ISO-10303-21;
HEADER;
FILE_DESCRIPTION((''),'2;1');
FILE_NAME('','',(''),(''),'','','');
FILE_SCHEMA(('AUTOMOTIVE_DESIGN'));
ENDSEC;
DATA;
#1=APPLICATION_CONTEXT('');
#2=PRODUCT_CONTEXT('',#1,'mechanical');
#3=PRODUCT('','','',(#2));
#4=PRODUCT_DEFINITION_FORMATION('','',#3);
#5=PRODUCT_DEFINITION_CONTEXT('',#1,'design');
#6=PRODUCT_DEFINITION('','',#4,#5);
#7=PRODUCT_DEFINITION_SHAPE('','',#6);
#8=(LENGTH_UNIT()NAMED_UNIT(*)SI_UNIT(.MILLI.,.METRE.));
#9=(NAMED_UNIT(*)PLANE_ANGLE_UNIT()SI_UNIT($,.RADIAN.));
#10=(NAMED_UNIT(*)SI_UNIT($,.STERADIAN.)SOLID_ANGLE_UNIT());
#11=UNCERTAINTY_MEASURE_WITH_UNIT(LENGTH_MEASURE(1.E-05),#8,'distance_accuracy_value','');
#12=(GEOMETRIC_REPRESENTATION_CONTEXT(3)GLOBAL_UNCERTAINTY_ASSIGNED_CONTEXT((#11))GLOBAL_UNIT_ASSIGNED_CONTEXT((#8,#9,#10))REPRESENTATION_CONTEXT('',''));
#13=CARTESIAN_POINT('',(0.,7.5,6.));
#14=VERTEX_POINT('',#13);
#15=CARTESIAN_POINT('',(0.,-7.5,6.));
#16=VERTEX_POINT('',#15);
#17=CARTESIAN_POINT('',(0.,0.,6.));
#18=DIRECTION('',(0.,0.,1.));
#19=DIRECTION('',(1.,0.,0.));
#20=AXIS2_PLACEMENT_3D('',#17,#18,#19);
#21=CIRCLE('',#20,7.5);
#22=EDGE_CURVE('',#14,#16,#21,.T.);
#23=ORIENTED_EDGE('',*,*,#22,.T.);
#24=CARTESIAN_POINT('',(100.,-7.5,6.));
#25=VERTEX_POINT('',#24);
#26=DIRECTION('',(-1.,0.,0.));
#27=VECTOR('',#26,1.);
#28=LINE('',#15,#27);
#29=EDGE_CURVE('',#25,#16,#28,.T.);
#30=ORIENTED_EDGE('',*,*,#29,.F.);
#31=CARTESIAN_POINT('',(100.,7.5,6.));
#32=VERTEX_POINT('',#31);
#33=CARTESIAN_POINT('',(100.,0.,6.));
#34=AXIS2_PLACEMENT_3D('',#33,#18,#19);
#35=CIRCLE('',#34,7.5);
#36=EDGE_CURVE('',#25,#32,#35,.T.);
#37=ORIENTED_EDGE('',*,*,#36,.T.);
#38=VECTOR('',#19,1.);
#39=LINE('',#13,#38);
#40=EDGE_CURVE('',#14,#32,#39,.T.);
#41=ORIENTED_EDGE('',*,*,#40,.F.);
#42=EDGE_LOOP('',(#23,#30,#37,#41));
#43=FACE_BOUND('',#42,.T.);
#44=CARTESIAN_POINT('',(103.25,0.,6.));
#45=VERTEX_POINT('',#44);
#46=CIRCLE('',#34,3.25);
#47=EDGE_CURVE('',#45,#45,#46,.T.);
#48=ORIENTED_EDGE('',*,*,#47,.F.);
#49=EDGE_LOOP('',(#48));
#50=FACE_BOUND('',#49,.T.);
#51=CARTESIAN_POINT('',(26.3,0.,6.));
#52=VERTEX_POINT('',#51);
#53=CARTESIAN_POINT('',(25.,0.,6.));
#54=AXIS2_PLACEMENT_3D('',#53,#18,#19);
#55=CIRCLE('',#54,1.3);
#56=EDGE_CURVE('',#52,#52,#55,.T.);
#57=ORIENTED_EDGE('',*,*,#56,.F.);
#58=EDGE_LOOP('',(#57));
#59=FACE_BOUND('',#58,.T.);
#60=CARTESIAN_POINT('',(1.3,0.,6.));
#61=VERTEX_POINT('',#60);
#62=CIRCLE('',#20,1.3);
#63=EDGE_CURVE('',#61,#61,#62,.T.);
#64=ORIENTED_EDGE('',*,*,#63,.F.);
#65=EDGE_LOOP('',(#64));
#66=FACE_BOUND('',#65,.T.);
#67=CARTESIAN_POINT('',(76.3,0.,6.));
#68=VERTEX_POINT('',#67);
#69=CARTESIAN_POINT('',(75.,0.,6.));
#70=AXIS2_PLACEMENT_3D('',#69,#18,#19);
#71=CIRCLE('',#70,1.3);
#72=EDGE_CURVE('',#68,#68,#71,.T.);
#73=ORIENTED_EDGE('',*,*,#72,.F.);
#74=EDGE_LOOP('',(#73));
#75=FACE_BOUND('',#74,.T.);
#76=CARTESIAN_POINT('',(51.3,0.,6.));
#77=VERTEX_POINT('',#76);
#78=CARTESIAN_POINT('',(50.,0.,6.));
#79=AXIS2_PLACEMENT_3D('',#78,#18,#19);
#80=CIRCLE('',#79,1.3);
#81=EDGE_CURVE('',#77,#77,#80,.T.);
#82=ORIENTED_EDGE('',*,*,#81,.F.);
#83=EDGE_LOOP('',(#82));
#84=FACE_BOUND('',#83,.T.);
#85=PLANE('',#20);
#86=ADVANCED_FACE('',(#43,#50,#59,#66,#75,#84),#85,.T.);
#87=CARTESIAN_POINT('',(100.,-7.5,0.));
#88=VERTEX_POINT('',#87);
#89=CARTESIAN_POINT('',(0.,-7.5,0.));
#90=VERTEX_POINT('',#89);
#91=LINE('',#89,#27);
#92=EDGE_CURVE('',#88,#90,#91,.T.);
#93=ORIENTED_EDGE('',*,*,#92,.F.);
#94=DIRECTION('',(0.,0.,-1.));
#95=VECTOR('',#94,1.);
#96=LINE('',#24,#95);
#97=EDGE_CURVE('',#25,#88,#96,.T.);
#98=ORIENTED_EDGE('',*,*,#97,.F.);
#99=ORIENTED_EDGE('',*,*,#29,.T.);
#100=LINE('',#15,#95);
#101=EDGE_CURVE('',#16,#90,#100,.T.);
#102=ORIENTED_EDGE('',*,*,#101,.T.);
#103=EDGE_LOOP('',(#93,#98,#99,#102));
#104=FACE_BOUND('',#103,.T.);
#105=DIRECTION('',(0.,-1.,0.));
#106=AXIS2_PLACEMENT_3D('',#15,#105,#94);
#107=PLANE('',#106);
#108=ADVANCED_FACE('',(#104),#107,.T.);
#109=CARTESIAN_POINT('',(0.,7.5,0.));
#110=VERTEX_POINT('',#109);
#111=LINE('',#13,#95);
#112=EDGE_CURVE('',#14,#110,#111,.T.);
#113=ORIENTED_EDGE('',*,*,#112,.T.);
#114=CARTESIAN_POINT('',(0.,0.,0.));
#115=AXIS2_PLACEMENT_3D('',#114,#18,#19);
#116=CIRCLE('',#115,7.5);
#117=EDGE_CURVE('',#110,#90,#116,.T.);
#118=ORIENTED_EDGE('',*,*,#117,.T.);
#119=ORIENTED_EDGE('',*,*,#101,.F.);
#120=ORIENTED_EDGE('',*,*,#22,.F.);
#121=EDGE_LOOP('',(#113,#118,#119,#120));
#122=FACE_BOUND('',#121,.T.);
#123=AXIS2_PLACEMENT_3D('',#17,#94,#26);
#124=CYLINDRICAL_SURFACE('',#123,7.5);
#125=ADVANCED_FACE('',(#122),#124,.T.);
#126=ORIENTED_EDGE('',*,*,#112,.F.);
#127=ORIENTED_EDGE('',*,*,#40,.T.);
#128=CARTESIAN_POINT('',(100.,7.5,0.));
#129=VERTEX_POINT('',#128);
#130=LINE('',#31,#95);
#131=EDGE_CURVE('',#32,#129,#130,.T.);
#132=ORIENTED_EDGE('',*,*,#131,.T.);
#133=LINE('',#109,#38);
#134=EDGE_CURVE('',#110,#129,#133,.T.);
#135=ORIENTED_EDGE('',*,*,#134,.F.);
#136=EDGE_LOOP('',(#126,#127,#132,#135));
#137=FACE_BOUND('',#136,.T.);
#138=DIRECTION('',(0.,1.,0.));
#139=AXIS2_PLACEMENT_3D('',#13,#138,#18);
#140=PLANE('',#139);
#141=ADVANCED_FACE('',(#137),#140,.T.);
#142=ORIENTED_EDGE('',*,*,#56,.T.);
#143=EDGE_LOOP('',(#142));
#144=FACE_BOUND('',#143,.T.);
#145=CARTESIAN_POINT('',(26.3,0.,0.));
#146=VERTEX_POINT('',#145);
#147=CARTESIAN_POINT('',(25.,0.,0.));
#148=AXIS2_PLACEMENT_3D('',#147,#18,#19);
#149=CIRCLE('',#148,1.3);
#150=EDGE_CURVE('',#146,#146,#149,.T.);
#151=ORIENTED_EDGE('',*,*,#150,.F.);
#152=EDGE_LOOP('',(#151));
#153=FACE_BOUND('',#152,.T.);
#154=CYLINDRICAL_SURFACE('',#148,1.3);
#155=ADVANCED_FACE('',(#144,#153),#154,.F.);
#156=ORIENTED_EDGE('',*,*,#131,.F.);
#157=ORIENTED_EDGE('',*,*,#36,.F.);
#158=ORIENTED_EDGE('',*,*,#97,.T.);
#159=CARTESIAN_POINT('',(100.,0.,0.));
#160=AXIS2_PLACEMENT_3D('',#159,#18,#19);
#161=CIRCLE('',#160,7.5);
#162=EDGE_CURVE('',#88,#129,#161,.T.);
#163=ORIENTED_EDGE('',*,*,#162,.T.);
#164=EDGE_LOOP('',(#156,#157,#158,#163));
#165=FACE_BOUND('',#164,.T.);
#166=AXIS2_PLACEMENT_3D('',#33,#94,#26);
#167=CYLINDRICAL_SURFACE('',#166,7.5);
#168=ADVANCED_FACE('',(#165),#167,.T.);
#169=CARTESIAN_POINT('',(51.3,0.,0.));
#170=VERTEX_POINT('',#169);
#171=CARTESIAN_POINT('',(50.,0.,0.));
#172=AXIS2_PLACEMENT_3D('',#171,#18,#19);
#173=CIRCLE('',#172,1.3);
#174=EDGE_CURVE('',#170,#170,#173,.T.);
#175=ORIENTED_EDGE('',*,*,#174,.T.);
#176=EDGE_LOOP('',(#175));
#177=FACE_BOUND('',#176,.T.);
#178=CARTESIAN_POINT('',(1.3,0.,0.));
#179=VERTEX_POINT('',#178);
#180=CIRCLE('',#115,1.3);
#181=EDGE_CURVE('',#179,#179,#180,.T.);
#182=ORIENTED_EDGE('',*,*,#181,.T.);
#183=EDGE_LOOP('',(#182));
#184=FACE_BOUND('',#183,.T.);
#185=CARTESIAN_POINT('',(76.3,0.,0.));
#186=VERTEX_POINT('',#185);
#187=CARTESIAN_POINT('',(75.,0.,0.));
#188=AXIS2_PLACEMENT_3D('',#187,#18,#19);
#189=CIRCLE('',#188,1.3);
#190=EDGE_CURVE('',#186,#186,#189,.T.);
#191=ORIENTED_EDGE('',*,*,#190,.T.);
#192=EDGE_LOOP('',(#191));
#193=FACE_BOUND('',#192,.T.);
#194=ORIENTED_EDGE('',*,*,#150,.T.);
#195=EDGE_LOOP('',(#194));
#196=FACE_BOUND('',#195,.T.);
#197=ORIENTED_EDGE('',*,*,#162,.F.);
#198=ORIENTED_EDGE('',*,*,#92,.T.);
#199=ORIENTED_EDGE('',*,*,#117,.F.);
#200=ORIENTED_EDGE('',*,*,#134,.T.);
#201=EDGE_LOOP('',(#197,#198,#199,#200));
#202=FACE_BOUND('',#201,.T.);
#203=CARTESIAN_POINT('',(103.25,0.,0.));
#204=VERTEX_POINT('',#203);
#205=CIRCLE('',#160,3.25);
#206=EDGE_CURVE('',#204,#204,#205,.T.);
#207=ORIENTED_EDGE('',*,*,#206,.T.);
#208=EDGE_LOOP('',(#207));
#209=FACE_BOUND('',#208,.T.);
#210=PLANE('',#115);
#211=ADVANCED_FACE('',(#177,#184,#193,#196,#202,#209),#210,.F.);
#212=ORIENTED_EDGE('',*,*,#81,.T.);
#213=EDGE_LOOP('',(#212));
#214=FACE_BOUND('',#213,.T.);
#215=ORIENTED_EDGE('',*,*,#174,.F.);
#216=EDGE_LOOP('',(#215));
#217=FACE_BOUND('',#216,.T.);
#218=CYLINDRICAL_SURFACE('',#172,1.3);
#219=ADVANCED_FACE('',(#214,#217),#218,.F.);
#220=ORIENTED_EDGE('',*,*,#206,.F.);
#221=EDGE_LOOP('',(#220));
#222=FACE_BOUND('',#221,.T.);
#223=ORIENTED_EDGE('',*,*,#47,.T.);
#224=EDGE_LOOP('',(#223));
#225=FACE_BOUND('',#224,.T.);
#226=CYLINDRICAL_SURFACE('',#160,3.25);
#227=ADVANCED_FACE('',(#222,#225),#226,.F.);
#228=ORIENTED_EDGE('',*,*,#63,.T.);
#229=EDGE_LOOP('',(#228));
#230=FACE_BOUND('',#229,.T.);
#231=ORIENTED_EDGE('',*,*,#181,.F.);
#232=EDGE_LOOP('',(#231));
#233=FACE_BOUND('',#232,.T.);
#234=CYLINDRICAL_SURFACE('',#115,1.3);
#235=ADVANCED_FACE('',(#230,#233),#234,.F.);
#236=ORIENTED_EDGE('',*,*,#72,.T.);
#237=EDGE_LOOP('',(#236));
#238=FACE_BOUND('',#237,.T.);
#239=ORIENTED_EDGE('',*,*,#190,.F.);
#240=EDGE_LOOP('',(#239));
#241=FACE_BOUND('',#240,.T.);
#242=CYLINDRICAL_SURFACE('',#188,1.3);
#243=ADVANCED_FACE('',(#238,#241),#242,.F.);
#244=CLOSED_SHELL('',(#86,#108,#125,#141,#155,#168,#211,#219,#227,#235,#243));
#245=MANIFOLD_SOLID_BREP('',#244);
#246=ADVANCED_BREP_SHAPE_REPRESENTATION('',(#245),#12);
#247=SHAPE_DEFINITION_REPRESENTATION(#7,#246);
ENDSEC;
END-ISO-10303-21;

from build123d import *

# Parameters (mm, degrees)
SKETCH1_R           = 7.5
BOSS_EXTRUDE1_DEPTH = 6
SKETCH2_R           = 1.3
CUT_EXTRUDE1_DEPTH  = 108.928216885
LPATTERN1_COUNT     = 4
LPATTERN1_PITCH     = 25
SKETCH3_R           = 3.25
CUT_EXTRUDE2_DEPTH  = 108.928216885


with BuildPart() as part:
    # Sketch1 → Boss-Extrude1 (new body)
    with BuildSketch(Plane.XY):
        with BuildLine():
            Line((100, 7.5), (0, 7.5))
            ThreePointArc((0, 7.5), (5.303300859, 5.303300859), (7.5, 0))
            ThreePointArc((7.5, 0), (5.303300859, -5.303300859), (0, -7.5))
            Line((0, -7.5), (100, -7.5))
            ThreePointArc((100, -7.5), (92.5, 0), (100, 7.5))
        make_face()
        with Locations((100, 0)):
            Circle(SKETCH1_R)
        Circle(SKETCH1_R)
    extrude(amount=BOSS_EXTRUDE1_DEPTH)

    # Sketch2 → Cut-Extrude1 (cut, through all)
    with BuildSketch(Plane.XY.offset(6)):
        Circle(SKETCH2_R)
        with Locations((100, 0)):
            Circle(SKETCH2_R)
    cut_extrude1 = extrude(amount=-CUT_EXTRUDE1_DEPTH, mode=Mode.SUBTRACT)

    # LPattern1: Cut-Extrude1 ×4
    with Locations(*[(i * LPATTERN1_PITCH, 0, 0) for i in range(1, LPATTERN1_COUNT)]):
        add(cut_extrude1, mode=Mode.SUBTRACT)

    # Sketch3 → Cut-Extrude2 (cut, through all)
    with BuildSketch(Plane.XY.offset(6)):
        with Locations((100, 0)):
            Circle(SKETCH3_R)
    extrude(amount=-CUT_EXTRUDE2_DEPTH, mode=Mode.SUBTRACT)


solid = part.part
